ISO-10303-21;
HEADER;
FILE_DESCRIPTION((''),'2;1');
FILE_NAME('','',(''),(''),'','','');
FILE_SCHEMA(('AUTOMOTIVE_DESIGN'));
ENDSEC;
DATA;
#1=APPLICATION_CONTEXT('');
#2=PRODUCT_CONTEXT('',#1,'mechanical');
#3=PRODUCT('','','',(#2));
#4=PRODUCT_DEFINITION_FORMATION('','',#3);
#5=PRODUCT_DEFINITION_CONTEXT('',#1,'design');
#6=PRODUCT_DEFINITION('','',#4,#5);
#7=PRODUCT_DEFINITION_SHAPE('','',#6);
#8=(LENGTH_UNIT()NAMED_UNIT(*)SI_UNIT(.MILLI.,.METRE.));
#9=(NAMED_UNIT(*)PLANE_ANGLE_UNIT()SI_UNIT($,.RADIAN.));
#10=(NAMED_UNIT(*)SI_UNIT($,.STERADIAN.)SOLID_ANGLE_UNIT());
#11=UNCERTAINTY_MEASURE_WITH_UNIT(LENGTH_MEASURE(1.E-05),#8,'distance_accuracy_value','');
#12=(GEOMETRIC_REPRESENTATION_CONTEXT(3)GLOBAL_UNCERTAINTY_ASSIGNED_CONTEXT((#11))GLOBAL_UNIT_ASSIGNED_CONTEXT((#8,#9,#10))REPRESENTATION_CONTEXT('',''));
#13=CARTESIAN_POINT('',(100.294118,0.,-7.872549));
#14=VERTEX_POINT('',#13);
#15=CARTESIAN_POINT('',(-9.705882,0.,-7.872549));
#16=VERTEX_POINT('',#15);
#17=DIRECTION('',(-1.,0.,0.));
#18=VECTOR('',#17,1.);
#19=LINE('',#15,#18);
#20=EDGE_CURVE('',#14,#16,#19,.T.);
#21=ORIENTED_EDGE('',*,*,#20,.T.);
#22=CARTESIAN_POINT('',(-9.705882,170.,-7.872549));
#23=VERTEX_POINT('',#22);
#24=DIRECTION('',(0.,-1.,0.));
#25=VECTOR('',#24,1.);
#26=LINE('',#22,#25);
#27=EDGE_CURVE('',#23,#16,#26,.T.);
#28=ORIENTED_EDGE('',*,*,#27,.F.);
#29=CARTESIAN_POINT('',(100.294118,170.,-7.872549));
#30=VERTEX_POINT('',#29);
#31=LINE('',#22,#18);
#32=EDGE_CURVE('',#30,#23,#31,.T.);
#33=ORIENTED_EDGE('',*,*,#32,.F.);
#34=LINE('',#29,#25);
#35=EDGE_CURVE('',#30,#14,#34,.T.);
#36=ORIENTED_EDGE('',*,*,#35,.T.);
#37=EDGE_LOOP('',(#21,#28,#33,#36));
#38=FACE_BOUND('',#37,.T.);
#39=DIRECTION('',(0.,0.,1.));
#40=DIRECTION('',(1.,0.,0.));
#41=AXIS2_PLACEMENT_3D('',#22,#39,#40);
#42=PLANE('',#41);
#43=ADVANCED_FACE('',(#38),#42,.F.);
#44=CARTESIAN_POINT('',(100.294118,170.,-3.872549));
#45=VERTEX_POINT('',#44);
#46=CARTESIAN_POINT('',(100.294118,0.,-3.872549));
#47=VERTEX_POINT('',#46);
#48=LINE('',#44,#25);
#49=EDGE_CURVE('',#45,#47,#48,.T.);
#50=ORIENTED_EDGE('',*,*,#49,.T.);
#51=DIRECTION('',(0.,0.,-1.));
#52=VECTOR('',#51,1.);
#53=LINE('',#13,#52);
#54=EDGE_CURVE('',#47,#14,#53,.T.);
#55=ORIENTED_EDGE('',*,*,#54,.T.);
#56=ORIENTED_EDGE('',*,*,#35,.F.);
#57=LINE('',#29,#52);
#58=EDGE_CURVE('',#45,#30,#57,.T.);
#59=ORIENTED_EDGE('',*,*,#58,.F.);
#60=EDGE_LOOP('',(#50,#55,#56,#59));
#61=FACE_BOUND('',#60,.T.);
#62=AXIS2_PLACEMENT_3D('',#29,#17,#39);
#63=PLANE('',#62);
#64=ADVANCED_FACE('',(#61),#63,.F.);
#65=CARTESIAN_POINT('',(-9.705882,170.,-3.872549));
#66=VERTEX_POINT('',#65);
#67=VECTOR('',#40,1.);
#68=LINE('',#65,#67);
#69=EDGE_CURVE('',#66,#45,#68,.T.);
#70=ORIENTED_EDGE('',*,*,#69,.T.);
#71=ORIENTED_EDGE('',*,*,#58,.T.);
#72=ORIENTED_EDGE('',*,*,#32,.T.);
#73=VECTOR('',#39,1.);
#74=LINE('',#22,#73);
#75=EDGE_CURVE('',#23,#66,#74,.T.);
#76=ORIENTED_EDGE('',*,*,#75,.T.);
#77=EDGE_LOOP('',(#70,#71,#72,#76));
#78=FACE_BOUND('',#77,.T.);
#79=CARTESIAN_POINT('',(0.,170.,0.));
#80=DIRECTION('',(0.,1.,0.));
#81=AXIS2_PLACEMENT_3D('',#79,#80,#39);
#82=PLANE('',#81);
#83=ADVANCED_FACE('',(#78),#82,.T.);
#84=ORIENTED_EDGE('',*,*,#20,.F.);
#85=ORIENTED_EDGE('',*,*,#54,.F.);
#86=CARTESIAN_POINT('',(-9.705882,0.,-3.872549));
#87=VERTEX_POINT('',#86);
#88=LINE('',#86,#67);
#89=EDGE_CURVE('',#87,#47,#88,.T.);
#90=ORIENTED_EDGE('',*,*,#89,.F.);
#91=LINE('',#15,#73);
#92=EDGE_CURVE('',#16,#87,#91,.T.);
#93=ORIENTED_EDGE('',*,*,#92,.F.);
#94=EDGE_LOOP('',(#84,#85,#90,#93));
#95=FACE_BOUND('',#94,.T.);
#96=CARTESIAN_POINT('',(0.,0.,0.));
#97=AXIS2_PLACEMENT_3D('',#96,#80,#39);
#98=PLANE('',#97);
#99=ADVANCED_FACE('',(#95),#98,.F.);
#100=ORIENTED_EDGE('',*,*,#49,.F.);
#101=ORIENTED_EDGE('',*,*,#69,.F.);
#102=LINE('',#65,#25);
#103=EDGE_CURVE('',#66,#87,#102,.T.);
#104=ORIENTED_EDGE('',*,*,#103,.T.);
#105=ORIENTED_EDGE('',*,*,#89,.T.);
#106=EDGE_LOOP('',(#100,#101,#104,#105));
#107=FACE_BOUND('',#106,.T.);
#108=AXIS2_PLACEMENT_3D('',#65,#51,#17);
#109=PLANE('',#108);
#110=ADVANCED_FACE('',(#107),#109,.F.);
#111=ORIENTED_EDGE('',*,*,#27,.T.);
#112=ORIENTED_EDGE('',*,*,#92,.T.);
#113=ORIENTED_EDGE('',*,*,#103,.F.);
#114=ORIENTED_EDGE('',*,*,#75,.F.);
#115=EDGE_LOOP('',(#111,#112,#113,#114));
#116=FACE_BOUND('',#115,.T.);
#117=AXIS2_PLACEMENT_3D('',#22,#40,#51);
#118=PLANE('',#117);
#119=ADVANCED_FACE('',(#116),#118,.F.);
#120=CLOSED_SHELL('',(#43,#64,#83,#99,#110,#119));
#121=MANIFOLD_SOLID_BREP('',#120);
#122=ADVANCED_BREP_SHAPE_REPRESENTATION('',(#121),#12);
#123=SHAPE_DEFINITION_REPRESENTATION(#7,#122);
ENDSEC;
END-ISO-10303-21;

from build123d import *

# Parameters (mm, degrees)
SKETCH_1_W      = 110
SKETCH_1_H      = 4
EXTRUDE_1_DEPTH = 170


with BuildPart() as part:
    # 草图1 → 凸台-拉伸1 (new body)
    with BuildSketch(Plane(origin=(0, 0, 0), x_dir=(1, 0, 0), z_dir=(0, 1, 0))):
        with Locations((45.294117647, 5.87254902)):
            Rectangle(SKETCH_1_W, SKETCH_1_H)
    extrude(amount=EXTRUDE_1_DEPTH)


solid = part.part
